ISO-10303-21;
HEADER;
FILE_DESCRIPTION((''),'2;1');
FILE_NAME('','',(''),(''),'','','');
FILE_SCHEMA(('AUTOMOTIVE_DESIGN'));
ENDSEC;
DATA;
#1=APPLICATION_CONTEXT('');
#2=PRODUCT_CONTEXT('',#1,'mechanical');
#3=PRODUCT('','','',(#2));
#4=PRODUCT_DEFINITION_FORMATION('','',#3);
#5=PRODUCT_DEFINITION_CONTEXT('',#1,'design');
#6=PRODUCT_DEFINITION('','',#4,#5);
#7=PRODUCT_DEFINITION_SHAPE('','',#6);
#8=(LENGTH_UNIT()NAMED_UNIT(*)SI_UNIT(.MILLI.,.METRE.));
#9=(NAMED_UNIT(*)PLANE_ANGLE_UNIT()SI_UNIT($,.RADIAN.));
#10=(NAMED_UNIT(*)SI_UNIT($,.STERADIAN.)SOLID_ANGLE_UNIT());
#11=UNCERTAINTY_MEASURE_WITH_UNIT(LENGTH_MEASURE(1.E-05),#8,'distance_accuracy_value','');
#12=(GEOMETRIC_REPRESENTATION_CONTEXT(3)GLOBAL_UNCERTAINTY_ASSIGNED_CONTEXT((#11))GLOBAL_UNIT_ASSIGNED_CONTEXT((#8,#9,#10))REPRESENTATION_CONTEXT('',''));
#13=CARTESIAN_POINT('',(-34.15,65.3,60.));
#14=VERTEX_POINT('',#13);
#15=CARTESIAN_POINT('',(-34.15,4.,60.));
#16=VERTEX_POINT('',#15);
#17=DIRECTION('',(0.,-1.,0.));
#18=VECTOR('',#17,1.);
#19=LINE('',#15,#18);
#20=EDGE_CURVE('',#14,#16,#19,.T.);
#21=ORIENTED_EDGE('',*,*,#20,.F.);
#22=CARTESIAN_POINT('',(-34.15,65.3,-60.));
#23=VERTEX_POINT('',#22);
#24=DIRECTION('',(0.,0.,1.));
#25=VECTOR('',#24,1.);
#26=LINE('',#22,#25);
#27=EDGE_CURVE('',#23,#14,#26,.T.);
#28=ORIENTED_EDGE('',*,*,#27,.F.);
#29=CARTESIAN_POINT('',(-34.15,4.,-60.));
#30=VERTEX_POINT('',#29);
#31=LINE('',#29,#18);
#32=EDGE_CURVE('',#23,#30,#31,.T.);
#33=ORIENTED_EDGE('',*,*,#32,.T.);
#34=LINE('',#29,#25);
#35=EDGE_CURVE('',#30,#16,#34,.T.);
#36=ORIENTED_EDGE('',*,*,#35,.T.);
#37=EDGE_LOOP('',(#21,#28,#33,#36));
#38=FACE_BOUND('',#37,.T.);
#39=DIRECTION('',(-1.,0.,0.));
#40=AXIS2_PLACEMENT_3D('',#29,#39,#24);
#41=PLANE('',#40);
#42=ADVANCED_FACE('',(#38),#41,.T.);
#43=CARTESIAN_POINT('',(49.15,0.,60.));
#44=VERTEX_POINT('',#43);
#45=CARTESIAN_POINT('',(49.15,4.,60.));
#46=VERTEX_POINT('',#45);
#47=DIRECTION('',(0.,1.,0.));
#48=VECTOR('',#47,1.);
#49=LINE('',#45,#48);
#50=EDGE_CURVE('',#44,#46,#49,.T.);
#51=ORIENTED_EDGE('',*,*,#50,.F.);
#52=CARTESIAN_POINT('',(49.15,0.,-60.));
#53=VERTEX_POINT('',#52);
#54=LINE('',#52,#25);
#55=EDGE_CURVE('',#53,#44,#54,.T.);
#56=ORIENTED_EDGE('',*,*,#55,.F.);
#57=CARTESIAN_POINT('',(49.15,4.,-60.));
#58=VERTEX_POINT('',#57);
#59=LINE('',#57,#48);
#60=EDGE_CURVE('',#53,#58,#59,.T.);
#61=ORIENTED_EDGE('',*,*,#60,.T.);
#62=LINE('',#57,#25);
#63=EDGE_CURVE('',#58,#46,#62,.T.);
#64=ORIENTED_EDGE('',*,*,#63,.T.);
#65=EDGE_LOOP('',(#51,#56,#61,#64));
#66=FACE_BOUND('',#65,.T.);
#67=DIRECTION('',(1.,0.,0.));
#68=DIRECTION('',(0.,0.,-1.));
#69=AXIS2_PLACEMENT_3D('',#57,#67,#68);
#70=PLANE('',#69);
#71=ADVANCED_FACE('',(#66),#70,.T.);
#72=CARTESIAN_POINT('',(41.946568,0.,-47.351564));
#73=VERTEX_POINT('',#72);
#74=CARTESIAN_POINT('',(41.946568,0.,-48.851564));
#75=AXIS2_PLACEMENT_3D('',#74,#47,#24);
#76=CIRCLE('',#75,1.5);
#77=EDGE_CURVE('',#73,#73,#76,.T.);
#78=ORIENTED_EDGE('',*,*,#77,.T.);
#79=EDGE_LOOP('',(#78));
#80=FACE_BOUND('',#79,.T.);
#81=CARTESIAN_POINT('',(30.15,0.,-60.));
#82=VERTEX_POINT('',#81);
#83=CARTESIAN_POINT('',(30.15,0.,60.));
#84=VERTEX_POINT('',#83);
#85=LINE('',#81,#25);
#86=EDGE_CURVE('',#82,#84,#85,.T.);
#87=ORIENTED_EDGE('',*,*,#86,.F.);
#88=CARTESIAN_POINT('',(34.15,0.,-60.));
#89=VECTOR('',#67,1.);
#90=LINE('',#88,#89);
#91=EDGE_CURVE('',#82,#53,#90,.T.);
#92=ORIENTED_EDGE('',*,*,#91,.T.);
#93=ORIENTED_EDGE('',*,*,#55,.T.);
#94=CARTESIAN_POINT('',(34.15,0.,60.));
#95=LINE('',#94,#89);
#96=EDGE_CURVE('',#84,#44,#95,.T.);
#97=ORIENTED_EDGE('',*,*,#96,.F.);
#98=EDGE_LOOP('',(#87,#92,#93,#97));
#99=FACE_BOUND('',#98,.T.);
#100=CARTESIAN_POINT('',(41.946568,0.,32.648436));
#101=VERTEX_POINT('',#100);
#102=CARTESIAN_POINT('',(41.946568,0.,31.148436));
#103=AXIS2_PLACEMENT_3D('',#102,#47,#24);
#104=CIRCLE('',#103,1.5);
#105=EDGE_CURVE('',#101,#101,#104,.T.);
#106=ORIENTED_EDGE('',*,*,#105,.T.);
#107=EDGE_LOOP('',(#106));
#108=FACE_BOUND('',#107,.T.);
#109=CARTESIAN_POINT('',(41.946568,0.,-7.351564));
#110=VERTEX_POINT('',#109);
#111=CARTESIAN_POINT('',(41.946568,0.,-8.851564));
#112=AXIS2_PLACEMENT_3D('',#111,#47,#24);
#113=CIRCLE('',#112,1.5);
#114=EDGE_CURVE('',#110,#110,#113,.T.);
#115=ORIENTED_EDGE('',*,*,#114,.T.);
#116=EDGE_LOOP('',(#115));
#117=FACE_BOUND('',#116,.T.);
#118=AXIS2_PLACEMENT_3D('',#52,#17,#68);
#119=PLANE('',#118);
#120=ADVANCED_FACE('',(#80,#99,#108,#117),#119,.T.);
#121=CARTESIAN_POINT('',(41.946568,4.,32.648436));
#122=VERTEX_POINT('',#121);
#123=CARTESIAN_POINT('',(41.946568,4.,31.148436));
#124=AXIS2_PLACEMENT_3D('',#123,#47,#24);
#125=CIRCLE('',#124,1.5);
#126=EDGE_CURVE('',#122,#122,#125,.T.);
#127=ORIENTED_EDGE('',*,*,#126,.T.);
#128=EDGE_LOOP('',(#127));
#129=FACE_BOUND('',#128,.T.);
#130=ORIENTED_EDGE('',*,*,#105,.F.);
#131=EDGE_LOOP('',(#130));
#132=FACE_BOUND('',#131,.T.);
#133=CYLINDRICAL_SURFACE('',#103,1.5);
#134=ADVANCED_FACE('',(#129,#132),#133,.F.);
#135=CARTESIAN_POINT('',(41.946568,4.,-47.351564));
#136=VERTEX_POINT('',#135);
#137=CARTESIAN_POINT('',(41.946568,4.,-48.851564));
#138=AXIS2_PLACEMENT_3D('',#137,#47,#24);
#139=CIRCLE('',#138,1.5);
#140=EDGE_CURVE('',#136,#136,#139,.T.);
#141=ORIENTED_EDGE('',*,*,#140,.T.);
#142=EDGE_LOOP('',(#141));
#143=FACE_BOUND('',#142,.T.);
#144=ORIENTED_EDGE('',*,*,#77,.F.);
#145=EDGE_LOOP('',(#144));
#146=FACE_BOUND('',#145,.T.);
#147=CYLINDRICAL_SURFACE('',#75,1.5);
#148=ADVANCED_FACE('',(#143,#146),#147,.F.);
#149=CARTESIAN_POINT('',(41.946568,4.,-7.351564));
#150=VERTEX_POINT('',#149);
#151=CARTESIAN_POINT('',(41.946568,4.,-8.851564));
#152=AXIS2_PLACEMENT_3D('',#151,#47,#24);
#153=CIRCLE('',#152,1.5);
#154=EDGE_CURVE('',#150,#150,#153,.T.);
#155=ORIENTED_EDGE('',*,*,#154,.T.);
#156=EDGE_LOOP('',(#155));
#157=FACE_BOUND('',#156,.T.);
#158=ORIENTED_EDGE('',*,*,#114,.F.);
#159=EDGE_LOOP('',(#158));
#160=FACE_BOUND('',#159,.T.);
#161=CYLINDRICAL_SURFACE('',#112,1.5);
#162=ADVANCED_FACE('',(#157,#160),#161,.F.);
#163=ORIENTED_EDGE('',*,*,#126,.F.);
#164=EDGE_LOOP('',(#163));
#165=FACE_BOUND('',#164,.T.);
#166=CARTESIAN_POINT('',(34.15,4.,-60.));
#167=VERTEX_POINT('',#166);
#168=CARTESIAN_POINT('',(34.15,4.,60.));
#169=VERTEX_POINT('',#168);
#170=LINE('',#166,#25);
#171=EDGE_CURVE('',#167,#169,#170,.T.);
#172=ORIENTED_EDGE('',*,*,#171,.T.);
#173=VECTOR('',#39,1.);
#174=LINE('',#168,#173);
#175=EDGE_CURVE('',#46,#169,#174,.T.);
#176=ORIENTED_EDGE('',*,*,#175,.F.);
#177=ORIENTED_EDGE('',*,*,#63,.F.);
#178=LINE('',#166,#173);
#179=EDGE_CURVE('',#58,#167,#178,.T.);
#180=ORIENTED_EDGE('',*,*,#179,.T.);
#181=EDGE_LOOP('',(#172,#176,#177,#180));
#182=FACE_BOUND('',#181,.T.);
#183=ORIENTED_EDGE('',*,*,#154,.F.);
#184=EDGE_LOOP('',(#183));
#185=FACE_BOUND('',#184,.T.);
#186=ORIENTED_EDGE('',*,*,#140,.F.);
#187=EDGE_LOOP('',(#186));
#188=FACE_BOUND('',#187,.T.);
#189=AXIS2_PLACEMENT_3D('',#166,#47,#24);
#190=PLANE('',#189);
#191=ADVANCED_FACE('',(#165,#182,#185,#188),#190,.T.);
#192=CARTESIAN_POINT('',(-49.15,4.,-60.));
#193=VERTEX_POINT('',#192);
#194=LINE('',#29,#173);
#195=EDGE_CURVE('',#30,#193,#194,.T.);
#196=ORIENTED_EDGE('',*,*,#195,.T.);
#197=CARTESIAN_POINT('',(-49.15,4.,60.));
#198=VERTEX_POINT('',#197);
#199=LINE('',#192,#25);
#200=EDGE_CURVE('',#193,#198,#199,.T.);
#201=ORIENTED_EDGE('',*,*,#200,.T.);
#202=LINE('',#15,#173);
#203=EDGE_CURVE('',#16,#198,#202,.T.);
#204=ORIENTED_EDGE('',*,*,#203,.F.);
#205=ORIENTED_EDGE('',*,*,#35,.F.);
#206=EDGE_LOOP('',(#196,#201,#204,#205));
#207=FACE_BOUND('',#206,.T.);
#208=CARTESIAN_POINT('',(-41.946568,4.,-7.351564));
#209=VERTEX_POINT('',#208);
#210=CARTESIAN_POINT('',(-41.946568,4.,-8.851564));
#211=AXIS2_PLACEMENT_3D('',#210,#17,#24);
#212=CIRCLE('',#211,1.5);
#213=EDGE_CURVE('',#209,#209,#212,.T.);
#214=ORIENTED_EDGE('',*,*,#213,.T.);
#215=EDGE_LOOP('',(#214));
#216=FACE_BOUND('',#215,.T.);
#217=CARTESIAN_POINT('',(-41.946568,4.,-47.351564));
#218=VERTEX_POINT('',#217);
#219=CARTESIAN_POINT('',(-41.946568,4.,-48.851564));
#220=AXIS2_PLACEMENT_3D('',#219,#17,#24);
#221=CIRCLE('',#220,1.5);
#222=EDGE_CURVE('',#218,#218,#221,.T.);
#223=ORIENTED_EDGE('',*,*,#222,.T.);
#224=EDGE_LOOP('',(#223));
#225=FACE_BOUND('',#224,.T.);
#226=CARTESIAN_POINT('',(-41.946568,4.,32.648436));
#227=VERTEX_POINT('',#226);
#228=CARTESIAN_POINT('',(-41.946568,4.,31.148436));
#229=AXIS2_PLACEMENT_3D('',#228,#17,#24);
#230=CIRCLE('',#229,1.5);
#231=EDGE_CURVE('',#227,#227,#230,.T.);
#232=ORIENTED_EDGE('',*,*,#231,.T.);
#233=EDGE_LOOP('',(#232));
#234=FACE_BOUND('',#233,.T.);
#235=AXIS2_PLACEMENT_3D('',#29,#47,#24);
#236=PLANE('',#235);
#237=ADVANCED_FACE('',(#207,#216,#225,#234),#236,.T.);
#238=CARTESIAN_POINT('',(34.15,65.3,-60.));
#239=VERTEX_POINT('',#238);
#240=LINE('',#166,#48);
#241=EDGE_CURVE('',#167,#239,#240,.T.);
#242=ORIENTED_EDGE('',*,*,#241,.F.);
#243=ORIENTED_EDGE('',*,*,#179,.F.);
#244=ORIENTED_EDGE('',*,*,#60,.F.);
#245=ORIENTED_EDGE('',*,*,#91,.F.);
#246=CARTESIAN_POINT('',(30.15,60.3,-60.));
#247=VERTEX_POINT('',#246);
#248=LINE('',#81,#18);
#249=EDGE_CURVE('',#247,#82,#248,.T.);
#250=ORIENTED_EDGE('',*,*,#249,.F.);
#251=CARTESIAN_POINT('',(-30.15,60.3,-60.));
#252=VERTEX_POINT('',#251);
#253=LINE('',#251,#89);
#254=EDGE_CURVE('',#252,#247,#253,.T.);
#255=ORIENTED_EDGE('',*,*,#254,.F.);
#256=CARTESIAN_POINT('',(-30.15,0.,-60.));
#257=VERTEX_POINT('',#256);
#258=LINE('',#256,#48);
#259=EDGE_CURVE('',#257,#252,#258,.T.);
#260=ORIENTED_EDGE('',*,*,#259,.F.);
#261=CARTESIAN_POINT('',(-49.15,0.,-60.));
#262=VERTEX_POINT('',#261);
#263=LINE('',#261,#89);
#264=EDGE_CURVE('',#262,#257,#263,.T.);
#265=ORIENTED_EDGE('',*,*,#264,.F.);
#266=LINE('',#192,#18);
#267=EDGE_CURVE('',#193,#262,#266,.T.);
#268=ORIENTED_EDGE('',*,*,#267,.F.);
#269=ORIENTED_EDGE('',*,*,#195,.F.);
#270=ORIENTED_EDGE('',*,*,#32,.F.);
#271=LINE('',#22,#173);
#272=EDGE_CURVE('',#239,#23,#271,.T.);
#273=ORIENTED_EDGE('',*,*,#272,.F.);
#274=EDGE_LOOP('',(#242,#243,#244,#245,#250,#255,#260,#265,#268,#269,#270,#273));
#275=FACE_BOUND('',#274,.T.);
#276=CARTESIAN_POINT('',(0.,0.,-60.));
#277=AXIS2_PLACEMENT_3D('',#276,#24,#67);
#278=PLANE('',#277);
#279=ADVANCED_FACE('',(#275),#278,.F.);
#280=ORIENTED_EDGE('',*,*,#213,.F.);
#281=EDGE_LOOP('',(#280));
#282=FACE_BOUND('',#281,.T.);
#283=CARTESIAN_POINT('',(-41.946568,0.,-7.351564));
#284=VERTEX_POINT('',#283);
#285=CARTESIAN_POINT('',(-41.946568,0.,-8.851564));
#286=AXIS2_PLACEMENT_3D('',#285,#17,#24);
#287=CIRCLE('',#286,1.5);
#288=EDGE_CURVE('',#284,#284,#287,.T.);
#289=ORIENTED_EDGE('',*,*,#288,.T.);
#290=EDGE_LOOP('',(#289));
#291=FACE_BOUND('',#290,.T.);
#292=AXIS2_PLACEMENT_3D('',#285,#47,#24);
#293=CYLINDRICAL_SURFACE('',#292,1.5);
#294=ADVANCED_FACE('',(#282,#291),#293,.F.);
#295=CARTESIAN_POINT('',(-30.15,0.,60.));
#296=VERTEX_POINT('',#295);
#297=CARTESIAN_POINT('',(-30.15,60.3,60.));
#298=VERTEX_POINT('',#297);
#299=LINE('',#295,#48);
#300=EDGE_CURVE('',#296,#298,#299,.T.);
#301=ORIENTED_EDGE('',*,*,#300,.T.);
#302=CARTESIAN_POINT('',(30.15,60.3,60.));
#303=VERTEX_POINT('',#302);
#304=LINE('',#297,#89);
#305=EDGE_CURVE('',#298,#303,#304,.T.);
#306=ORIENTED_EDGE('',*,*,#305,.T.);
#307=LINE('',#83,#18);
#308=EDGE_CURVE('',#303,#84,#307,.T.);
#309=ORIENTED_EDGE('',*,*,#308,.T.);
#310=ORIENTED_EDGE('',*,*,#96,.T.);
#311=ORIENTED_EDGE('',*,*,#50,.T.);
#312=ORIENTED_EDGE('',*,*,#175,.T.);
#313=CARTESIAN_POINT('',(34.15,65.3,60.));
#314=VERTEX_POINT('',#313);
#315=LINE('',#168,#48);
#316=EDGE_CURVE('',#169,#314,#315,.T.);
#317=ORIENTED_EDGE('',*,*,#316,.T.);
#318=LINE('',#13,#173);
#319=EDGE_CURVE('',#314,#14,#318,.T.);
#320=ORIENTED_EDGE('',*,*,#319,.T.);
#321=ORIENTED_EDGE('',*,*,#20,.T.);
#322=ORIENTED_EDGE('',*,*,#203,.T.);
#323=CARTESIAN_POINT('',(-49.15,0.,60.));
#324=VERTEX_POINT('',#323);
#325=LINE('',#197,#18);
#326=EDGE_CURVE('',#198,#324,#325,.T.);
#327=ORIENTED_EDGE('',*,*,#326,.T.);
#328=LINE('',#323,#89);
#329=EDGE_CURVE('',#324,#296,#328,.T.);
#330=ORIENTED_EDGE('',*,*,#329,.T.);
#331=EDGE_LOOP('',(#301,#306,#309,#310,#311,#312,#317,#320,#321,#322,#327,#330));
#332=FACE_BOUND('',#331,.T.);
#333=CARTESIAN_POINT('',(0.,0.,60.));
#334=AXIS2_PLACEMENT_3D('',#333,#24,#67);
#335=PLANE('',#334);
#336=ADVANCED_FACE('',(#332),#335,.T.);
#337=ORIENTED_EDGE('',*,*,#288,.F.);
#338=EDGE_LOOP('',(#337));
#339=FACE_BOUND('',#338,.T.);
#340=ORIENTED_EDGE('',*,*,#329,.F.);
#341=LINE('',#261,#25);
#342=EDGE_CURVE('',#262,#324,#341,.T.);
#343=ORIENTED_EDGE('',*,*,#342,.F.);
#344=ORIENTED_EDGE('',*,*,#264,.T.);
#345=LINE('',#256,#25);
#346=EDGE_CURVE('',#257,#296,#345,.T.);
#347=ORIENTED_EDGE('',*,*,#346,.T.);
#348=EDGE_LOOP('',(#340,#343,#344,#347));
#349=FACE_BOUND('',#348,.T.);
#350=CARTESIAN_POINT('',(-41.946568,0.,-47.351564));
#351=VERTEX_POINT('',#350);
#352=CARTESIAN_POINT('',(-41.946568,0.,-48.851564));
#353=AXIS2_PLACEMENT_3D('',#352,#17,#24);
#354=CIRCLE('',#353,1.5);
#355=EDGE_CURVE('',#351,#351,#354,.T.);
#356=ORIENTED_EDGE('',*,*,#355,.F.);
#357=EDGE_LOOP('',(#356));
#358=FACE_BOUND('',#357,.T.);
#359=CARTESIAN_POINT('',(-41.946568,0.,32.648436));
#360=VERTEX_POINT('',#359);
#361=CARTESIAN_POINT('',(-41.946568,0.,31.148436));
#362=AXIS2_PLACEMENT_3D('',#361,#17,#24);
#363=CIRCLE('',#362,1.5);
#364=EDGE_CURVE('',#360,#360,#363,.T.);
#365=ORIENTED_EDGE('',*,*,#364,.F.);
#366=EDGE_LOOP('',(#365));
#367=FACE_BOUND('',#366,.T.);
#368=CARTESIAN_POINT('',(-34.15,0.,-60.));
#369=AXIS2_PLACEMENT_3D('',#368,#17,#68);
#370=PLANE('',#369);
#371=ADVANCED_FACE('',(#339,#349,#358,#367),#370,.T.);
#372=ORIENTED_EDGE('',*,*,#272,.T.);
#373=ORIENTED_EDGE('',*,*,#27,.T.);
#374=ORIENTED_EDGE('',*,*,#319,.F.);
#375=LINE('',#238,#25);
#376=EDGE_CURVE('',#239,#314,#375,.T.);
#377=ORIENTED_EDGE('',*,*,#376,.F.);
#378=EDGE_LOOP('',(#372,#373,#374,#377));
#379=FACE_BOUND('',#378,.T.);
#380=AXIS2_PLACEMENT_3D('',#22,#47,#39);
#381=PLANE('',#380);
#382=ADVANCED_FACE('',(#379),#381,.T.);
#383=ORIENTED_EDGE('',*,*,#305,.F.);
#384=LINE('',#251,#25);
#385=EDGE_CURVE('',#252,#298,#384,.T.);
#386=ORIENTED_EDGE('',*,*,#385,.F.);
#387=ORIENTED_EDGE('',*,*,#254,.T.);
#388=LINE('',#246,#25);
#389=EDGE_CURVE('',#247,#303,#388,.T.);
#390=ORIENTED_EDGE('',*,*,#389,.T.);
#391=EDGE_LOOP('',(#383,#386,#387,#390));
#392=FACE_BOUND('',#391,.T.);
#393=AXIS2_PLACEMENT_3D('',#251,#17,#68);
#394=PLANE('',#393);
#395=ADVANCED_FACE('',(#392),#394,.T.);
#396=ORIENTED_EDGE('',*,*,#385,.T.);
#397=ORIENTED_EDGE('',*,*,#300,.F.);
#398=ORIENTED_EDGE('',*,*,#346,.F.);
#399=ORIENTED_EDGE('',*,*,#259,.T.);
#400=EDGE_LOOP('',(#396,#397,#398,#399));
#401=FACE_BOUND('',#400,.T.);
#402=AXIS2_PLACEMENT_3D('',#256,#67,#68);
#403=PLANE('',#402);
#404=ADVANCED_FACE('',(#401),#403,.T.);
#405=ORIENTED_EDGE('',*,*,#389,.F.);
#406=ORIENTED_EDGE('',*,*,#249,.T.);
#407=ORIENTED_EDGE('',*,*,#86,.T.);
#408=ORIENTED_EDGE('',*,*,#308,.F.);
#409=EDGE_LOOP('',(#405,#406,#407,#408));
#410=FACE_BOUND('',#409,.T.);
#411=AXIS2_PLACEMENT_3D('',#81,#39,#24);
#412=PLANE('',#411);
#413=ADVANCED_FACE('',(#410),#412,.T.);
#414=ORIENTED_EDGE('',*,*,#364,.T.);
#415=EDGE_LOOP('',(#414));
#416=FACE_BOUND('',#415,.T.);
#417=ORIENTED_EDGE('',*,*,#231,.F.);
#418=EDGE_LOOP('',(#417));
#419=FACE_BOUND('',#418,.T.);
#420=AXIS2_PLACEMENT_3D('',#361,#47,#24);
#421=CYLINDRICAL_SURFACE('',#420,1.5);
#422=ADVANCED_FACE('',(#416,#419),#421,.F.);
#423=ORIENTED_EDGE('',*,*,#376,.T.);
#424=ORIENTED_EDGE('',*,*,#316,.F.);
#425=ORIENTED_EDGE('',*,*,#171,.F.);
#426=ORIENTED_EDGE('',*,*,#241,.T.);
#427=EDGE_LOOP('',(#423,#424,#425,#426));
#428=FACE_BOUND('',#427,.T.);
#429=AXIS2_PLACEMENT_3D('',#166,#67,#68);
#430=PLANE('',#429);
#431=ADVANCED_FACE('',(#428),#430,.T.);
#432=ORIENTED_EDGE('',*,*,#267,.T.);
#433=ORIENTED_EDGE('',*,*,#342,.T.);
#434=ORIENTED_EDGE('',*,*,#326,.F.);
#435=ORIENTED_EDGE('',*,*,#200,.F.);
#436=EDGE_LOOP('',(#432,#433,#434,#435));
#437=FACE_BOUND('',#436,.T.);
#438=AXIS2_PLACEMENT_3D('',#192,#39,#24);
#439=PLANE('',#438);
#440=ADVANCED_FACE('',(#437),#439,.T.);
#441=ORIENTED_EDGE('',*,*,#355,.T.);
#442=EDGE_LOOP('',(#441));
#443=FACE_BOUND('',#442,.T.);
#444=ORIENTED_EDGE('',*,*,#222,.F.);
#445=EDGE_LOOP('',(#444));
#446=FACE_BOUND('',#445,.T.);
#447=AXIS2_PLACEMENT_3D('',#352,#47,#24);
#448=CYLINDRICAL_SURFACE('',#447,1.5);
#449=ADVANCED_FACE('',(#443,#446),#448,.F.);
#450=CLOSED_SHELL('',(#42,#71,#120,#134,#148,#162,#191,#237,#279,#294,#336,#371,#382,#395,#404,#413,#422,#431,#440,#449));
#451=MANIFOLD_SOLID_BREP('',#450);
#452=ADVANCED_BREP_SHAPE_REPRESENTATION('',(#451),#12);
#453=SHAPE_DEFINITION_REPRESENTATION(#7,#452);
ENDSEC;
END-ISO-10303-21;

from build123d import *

# Parameters (mm, degrees)
BOSS_EXTRUDE1_DEPTH      = 60
BOSS_EXTRUDE1_DEPTH_BACK = 60
SKETCH2_R                = 1.5
CUT_EXTRUDE1_DEPTH       = 99.860571008


with BuildPart() as part:
    # Sketch1 → Boss-Extrude1 (new, two sides: drawn at the far end of the back side and taken through both)
    with BuildSketch(Plane.XY.offset(-BOSS_EXTRUDE1_DEPTH_BACK)):
        Polygon((-34.15, 4), (-34.15, 65.3), (34.15, 65.3), (34.15, 4), (49.15, 4), (49.15, 0), (34.15, 0), (30.15, 0), (30.15, 60.3), (-30.15, 60.3), (-30.15, 0), (-34.15, 0), (-49.15, 0), (-49.15, 4), align=None)
    extrude(amount=BOSS_EXTRUDE1_DEPTH + BOSS_EXTRUDE1_DEPTH_BACK)

    # Sketch2 → Cut-Extrude1 (cut, through all)
    with BuildSketch(Plane(origin=(0, 4, 0), x_dir=(1, 0, 0), z_dir=(0, 1, 0))):
        with Locations((41.946567631, -31.148436051)):
            Circle(SKETCH2_R)
        with Locations((41.946567631, 8.851563949)):
            Circle(SKETCH2_R)
        with Locations((41.946567631, 48.851563949)):
            Circle(SKETCH2_R)
    cut_extrude1 = extrude(amount=-CUT_EXTRUDE1_DEPTH, mode=Mode.SUBTRACT)

    # Mirror1: Cut-Extrude1 across plane
    add(cut_extrude1.mirror(Plane(origin=(0, 0, 0), x_dir=(0, 0, 1), z_dir=(1, 0, 0))), mode=Mode.SUBTRACT)


solid = part.part
